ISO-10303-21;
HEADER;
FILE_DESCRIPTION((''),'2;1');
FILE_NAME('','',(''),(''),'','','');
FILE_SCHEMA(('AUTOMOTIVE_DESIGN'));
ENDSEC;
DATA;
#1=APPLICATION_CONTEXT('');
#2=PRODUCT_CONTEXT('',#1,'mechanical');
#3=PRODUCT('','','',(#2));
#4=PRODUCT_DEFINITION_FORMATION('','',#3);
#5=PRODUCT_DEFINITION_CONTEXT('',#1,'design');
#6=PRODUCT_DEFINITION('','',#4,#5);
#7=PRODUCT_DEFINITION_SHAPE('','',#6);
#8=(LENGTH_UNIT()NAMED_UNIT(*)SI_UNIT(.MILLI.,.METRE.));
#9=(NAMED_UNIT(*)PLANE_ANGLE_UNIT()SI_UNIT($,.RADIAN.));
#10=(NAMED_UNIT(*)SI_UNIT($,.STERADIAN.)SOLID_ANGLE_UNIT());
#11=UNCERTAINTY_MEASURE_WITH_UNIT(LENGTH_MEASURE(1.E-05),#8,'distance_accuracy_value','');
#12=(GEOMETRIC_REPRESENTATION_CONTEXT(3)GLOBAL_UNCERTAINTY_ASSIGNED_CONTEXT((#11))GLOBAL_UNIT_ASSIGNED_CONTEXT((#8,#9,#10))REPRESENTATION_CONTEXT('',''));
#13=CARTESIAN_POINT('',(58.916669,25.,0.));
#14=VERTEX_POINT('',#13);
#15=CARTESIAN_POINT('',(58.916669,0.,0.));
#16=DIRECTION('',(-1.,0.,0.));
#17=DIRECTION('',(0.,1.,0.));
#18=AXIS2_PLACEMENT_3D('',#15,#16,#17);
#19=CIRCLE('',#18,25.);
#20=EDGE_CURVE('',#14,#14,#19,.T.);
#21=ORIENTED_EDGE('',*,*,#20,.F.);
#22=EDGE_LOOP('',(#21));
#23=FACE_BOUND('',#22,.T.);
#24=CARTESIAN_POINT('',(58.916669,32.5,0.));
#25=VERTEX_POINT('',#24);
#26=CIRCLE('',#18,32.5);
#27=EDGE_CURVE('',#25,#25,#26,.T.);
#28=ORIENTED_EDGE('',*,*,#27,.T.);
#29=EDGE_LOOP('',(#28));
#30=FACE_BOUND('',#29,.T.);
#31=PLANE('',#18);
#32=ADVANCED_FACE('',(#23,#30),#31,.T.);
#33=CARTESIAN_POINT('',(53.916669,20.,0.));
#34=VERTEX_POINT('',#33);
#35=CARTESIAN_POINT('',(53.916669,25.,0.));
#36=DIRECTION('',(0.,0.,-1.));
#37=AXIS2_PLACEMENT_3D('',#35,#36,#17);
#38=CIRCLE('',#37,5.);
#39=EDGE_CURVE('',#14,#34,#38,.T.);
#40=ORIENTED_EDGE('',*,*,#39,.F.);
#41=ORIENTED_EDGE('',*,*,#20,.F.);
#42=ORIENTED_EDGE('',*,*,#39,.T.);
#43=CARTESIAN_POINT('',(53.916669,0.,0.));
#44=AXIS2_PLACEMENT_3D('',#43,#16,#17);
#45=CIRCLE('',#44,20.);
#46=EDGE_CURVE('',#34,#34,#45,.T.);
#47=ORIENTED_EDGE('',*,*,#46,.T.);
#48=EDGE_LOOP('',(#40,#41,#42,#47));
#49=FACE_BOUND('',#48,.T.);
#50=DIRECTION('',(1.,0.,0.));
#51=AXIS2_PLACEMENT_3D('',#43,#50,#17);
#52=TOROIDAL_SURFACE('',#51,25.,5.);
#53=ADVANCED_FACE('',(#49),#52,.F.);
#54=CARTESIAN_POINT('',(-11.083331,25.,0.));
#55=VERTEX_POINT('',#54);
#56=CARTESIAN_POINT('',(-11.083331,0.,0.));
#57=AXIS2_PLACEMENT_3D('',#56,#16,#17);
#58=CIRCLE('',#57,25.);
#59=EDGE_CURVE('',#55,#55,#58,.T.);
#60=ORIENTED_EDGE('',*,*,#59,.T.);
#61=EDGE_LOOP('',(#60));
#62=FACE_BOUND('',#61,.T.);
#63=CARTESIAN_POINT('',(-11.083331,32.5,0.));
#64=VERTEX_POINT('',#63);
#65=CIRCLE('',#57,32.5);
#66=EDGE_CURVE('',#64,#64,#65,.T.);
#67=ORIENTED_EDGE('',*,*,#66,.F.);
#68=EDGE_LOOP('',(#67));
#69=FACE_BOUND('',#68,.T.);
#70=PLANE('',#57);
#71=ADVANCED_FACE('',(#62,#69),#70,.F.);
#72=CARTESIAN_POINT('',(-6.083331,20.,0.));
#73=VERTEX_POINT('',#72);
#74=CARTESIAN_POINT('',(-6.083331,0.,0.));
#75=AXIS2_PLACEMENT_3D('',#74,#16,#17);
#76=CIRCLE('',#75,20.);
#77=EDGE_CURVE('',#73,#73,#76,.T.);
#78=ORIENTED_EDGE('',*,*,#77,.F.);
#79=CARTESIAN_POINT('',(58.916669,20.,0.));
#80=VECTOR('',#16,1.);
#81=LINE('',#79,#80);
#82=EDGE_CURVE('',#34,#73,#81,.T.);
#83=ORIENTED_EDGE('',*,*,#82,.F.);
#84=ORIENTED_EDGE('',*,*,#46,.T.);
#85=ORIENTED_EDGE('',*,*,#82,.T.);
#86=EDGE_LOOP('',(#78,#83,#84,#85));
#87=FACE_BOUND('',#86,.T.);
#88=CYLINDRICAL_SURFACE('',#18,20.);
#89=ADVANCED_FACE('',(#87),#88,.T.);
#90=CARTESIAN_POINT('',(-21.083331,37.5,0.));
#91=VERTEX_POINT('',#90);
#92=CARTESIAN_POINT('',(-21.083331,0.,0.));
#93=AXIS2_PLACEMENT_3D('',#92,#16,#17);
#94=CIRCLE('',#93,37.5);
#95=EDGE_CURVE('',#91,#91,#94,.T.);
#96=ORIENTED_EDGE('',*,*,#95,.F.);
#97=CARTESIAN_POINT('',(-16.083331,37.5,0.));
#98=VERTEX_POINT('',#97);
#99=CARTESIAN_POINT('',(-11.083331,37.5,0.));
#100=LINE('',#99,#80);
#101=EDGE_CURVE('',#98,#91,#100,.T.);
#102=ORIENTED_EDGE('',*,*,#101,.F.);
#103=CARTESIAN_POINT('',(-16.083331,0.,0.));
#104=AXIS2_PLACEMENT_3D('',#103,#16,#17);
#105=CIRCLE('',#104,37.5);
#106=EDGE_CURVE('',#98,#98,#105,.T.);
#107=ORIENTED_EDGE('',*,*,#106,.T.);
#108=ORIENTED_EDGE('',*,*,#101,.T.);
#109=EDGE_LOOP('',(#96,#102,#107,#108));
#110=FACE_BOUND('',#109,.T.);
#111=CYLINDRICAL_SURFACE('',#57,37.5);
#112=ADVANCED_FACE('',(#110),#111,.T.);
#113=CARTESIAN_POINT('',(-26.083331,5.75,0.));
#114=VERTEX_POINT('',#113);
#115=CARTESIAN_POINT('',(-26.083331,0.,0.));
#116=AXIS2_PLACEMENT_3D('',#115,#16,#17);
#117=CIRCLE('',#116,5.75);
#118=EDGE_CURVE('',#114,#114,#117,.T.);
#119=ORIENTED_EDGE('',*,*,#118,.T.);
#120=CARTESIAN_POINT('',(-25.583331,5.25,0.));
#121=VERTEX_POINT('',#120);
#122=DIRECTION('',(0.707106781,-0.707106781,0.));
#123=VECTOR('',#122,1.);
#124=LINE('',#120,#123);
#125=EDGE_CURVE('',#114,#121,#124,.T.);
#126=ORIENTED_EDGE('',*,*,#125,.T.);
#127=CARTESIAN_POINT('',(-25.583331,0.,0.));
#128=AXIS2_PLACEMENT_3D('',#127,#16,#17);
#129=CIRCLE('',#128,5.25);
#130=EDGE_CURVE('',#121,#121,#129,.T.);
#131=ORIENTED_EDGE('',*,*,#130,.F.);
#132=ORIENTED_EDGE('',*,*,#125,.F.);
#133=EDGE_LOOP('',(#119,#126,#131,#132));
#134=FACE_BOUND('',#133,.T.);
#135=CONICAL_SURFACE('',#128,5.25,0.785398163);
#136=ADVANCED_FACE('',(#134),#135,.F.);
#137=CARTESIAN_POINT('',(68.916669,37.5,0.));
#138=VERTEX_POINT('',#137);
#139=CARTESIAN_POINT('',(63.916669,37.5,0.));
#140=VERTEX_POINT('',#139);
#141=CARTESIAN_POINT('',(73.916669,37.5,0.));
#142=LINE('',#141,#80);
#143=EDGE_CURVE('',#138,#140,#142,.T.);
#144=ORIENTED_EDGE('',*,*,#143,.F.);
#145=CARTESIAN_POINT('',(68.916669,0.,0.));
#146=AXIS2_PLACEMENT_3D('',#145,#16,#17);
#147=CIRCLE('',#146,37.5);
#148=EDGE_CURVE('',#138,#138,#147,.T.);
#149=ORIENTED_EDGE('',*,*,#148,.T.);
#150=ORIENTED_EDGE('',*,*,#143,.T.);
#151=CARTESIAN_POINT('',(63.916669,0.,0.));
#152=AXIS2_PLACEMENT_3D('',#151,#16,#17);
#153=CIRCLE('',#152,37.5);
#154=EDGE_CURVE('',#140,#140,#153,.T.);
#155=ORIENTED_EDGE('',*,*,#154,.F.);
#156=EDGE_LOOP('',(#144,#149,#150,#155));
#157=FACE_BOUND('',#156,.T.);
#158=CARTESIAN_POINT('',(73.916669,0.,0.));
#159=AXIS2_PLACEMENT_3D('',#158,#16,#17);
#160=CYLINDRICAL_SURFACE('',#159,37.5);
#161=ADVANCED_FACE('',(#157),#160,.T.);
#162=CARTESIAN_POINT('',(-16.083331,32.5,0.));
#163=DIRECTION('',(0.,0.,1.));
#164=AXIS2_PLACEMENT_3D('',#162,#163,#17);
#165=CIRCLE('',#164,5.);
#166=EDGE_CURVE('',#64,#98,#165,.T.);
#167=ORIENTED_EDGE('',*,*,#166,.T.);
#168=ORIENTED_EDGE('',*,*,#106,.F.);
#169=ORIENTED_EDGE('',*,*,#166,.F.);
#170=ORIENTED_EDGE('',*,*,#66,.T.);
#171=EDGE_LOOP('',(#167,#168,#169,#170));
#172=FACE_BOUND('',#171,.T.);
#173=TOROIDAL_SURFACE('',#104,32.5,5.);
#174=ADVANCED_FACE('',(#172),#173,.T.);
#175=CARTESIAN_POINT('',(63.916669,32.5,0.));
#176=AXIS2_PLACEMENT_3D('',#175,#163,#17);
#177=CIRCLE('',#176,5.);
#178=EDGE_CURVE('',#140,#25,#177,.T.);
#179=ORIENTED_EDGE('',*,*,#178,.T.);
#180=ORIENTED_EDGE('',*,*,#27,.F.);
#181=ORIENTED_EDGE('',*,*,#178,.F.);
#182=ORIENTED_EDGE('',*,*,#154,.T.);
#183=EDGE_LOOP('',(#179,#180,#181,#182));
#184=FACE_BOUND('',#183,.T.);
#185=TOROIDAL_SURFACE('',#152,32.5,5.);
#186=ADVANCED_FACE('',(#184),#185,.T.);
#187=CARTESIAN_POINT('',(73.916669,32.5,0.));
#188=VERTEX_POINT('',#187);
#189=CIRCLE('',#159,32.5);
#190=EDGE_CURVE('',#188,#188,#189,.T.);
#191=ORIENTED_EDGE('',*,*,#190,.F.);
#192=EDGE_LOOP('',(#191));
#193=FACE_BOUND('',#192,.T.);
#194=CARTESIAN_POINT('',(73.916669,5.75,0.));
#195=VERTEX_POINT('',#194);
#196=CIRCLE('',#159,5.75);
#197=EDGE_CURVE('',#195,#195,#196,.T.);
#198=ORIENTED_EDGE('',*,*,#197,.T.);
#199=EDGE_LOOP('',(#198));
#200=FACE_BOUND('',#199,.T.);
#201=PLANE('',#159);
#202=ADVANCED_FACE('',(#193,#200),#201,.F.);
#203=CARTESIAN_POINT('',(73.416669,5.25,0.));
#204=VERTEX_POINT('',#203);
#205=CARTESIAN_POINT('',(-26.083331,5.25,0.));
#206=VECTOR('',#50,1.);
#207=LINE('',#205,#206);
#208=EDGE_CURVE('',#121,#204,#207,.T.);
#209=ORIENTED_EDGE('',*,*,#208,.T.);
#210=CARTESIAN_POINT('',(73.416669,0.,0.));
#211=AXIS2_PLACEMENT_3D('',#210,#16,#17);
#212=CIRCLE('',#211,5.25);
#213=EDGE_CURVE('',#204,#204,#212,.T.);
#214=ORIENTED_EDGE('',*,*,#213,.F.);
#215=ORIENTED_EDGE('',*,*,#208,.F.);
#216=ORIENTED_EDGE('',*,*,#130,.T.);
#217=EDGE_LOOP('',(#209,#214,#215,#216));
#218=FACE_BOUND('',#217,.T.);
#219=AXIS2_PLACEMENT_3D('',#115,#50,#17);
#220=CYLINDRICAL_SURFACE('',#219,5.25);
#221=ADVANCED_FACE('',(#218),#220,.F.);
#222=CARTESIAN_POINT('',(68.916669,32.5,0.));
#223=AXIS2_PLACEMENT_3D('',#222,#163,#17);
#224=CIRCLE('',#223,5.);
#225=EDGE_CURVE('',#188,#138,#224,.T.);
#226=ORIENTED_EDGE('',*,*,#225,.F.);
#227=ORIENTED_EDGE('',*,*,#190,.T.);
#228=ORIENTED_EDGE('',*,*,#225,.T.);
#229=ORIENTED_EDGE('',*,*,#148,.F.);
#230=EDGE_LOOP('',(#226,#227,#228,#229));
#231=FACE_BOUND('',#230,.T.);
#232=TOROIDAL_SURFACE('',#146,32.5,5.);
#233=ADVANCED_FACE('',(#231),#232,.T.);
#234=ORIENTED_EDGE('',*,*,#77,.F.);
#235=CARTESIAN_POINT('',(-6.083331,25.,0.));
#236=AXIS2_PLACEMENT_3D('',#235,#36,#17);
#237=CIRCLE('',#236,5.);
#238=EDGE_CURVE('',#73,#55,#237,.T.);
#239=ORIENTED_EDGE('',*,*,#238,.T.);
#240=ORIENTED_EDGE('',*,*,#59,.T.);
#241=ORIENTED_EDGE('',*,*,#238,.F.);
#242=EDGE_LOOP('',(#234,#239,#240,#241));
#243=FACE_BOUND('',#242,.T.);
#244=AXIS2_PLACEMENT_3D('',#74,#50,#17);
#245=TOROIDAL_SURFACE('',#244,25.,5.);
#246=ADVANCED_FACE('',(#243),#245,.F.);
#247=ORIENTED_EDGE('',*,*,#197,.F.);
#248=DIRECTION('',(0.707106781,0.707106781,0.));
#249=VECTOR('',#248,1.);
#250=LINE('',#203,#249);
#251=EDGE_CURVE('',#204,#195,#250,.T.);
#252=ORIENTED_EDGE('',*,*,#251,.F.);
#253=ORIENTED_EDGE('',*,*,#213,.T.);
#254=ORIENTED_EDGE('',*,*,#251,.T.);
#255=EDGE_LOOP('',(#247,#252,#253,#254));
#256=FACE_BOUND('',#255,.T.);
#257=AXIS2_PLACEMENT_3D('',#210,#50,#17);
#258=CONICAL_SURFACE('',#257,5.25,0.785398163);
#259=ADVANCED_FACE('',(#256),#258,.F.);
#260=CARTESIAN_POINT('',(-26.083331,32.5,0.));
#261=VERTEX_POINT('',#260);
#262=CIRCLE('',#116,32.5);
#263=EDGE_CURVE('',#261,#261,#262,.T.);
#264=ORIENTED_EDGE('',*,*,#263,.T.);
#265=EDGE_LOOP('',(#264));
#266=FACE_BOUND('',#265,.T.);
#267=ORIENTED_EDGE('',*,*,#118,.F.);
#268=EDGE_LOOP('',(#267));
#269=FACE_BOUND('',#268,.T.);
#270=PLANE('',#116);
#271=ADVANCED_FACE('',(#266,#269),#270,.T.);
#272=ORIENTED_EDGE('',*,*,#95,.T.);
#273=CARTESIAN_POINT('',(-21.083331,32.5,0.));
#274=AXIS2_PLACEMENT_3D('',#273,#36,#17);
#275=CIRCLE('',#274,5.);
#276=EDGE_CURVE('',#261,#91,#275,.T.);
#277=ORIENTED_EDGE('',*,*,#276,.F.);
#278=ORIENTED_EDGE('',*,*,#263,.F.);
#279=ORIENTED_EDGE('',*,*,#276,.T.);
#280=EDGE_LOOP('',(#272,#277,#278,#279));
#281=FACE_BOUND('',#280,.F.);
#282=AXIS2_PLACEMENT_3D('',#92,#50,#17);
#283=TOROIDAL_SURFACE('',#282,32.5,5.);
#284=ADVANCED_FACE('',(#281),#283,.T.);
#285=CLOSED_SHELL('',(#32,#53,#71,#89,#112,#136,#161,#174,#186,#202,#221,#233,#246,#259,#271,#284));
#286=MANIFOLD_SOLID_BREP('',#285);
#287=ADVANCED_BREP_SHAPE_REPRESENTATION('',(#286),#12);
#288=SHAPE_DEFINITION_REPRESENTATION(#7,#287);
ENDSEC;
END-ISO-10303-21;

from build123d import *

# Parameters (mm, degrees)
F2_R    = 5
F3_SIZE = 0.5


with BuildPart() as f1:
    # F0 (on Top) → F1 (revolve)
    with BuildSketch(Plane.XY):
        Polygon((-26.083331, 37.5), (-26.083331, 5.25), (73.916669, 5.25), (73.916669, 37.5), (58.916669, 37.5), (58.916669, 20), (-11.083331, 20), (-11.083331, 37.5), align=None)
    revolve(axis=Axis((-3.25, 0, 0), (-1, 0, 0)))

    # F2
    f2_edges = [f1.edges().sort_by_distance(p)[0] for p in [
        (-26.083331, -37.5, 0),
        (-11.083331, -37.5, 0),
        (58.916669, -37.5, 0),
        (73.916669, -37.5, 0),
        (58.916669, -20, 0),
        (-11.083331, -20, 0),
        (23.916669, 20, 0),
    ]]
    fillet(f2_edges, radius=F2_R)

    # F3
    f3_edges = [f1.edges().sort_by_distance(p)[0] for p in [
        (73.916669, -5.25, 0),
        (-26.083331, -5.25, 0),
    ]]
    chamfer(f3_edges, length=F3_SIZE)


solid = f1.part
